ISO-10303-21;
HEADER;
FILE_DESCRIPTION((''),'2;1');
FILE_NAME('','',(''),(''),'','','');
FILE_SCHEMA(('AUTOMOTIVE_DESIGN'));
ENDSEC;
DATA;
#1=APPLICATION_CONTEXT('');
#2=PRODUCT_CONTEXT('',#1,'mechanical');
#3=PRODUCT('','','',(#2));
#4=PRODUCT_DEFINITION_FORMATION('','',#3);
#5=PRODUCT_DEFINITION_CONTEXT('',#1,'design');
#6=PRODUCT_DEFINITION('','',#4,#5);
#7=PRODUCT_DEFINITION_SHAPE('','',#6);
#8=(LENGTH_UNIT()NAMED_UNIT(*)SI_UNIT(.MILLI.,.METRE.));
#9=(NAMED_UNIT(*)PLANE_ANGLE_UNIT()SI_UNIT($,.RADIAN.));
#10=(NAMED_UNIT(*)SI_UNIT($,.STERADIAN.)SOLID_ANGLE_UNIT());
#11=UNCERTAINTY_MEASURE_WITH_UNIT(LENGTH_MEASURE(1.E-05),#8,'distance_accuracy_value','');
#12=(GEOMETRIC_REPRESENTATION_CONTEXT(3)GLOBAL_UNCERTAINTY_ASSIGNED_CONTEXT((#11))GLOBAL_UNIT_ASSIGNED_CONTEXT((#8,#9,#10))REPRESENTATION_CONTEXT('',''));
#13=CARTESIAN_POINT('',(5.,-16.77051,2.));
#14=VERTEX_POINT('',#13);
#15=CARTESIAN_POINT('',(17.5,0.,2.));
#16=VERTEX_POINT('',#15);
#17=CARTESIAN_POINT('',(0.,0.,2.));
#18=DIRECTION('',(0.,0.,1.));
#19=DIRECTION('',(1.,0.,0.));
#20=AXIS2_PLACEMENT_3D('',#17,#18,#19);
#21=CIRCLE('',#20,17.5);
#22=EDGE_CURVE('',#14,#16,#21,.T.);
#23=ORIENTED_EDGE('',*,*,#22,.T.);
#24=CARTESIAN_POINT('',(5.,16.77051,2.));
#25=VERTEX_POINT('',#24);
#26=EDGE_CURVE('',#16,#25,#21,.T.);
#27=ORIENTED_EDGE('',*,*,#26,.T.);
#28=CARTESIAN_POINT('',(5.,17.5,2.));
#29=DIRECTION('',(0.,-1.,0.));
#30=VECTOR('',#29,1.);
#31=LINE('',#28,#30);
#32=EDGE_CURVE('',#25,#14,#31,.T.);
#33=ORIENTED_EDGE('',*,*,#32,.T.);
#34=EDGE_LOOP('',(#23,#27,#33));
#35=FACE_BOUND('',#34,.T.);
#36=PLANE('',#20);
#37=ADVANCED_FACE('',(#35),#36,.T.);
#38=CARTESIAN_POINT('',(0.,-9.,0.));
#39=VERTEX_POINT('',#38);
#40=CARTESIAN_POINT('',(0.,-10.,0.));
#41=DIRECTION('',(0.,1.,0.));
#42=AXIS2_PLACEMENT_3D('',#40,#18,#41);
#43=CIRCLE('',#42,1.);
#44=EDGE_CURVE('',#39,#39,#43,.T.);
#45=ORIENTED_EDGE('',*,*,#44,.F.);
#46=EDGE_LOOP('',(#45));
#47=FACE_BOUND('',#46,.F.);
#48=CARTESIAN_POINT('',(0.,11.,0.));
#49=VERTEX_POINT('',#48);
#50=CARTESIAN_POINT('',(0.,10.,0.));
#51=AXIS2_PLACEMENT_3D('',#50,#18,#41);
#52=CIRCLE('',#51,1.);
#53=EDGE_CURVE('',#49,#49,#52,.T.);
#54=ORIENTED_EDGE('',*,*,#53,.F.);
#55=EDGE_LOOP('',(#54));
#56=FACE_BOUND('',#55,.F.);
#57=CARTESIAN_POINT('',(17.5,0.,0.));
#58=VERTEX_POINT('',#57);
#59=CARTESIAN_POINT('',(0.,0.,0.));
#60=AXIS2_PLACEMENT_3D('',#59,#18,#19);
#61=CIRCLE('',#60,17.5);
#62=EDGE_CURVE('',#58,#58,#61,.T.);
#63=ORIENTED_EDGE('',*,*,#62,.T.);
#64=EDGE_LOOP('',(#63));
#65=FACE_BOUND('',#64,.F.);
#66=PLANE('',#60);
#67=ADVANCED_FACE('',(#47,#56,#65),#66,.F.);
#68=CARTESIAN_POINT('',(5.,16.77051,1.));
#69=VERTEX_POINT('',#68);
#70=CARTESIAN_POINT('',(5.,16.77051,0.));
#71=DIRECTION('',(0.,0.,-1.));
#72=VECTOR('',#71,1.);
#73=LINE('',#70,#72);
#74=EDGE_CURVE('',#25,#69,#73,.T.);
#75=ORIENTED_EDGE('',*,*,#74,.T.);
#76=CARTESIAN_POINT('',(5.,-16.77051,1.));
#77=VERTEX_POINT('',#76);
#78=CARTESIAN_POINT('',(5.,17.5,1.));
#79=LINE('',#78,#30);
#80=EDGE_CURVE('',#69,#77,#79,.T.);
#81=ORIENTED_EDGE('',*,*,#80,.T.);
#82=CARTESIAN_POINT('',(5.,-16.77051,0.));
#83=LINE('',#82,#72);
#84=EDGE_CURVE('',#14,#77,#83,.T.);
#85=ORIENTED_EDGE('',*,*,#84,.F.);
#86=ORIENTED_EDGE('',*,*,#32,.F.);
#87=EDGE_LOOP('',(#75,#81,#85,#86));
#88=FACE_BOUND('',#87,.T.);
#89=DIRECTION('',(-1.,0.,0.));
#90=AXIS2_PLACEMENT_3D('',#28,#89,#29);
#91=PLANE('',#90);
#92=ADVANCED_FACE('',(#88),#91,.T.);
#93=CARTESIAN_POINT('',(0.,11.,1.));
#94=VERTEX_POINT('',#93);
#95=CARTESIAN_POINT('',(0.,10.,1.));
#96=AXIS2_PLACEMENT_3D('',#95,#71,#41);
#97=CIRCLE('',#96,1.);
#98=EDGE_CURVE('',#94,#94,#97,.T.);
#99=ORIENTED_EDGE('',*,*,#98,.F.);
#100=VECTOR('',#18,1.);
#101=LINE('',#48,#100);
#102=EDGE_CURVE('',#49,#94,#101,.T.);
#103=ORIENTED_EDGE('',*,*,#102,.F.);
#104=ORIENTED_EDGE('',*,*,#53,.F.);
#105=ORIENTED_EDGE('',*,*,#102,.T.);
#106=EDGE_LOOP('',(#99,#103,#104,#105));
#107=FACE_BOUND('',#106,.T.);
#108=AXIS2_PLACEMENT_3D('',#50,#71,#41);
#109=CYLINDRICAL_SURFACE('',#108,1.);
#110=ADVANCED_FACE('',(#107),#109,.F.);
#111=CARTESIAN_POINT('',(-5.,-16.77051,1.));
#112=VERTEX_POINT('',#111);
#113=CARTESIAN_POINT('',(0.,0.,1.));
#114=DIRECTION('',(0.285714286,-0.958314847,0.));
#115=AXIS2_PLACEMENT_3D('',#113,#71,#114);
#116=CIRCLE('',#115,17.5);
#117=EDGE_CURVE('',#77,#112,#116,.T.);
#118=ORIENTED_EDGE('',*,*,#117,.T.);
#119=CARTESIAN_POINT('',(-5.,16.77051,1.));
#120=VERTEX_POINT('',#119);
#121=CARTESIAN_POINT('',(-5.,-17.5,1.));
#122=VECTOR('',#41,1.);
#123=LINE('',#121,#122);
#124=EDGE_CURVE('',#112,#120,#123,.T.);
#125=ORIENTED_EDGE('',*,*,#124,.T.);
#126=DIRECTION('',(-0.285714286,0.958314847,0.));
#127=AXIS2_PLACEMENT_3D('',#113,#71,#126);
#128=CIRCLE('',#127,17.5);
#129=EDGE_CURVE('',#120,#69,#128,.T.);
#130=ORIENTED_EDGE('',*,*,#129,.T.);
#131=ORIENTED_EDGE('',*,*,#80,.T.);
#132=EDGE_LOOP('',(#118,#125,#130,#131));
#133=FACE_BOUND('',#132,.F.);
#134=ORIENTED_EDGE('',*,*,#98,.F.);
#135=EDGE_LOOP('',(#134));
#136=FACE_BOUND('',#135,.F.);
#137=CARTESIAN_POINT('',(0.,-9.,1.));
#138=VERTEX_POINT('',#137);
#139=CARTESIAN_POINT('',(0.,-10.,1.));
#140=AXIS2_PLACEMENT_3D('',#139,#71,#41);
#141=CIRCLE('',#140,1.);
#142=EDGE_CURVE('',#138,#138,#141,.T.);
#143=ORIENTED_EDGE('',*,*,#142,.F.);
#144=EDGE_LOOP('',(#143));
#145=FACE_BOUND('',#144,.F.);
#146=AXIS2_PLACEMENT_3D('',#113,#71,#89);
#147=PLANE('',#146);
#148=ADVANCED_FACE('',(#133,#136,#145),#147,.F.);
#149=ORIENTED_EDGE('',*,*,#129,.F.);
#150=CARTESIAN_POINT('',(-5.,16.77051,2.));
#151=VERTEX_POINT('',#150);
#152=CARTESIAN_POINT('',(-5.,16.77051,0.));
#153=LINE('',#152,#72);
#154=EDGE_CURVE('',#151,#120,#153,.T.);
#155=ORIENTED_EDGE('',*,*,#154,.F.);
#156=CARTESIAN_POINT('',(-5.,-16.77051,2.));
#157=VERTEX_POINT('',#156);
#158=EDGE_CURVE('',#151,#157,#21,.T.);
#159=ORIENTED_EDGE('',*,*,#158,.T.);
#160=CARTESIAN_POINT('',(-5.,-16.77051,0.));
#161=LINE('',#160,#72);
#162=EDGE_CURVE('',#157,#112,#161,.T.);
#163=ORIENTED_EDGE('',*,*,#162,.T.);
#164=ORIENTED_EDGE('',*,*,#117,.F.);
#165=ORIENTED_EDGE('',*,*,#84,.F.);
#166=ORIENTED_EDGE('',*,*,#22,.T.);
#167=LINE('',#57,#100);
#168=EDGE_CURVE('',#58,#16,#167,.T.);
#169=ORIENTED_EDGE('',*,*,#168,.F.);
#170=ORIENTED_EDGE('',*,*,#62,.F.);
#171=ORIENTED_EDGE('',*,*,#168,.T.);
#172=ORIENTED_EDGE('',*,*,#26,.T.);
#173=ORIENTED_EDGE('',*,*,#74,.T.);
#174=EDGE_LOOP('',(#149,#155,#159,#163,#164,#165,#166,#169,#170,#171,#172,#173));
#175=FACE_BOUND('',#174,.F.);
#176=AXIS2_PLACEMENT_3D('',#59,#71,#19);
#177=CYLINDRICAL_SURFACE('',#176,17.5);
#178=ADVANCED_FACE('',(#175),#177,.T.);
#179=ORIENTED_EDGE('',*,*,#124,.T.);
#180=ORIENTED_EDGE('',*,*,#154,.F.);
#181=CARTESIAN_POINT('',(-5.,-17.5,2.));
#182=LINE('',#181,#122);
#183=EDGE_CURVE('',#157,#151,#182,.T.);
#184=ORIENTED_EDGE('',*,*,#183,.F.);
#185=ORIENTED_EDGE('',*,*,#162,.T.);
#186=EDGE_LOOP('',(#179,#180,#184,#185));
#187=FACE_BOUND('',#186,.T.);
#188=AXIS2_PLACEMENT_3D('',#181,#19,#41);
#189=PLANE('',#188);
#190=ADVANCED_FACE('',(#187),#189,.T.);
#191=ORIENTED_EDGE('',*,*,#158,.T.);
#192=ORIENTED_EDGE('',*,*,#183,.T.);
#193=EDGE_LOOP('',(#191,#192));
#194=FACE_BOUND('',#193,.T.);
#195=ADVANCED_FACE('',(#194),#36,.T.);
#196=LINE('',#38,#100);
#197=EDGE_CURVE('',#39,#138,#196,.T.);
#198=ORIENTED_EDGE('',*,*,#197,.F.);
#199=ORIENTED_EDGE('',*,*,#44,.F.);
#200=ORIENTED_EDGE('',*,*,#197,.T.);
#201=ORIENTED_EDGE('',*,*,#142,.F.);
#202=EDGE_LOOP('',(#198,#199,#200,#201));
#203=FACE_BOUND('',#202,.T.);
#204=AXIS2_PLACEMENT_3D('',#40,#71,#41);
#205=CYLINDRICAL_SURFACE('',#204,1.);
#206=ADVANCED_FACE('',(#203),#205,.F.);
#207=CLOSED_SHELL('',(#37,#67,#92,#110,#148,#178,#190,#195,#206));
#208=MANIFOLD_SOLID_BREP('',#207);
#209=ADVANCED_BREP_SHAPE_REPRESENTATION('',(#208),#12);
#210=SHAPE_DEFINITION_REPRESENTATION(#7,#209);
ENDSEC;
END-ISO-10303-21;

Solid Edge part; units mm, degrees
sketch "Sketch1" plane through (0, 0, 0) normal (0, 0, 1) x (1, 0, 0)
  circle A0 centre (0, 0) radius 17.5
extrude "Protrusion1" add sketch "Sketch1" along normal blind 2
sketch "Sketch2" plane through (0, 0, 2) normal (0, 0, 1) x (1, 0, 0)
  line L0 (-5, 17.5) -> (5, 17.5)
  line L1 (5, 17.5) -> (5, -17.5)
  line L2 (5, -17.5) -> (-5, -17.5)
  line L3 (-5, -17.5) -> (-5, 17.5)
  dimension "D1" = 10
extrude "Extrusionsausschnitt_2" cut sketch "Sketch2" against normal blind 1
hole "Bohrung_1" at (0, 10, 0) direction (0, 0, 1) diameter 2 end up to next
pattern_linear "Pattern1" count 2 spacing 20 along (0, -1, 0) of "Bohrung_1"
properties part number "DV4" material "Polypropylen, hochfest"
